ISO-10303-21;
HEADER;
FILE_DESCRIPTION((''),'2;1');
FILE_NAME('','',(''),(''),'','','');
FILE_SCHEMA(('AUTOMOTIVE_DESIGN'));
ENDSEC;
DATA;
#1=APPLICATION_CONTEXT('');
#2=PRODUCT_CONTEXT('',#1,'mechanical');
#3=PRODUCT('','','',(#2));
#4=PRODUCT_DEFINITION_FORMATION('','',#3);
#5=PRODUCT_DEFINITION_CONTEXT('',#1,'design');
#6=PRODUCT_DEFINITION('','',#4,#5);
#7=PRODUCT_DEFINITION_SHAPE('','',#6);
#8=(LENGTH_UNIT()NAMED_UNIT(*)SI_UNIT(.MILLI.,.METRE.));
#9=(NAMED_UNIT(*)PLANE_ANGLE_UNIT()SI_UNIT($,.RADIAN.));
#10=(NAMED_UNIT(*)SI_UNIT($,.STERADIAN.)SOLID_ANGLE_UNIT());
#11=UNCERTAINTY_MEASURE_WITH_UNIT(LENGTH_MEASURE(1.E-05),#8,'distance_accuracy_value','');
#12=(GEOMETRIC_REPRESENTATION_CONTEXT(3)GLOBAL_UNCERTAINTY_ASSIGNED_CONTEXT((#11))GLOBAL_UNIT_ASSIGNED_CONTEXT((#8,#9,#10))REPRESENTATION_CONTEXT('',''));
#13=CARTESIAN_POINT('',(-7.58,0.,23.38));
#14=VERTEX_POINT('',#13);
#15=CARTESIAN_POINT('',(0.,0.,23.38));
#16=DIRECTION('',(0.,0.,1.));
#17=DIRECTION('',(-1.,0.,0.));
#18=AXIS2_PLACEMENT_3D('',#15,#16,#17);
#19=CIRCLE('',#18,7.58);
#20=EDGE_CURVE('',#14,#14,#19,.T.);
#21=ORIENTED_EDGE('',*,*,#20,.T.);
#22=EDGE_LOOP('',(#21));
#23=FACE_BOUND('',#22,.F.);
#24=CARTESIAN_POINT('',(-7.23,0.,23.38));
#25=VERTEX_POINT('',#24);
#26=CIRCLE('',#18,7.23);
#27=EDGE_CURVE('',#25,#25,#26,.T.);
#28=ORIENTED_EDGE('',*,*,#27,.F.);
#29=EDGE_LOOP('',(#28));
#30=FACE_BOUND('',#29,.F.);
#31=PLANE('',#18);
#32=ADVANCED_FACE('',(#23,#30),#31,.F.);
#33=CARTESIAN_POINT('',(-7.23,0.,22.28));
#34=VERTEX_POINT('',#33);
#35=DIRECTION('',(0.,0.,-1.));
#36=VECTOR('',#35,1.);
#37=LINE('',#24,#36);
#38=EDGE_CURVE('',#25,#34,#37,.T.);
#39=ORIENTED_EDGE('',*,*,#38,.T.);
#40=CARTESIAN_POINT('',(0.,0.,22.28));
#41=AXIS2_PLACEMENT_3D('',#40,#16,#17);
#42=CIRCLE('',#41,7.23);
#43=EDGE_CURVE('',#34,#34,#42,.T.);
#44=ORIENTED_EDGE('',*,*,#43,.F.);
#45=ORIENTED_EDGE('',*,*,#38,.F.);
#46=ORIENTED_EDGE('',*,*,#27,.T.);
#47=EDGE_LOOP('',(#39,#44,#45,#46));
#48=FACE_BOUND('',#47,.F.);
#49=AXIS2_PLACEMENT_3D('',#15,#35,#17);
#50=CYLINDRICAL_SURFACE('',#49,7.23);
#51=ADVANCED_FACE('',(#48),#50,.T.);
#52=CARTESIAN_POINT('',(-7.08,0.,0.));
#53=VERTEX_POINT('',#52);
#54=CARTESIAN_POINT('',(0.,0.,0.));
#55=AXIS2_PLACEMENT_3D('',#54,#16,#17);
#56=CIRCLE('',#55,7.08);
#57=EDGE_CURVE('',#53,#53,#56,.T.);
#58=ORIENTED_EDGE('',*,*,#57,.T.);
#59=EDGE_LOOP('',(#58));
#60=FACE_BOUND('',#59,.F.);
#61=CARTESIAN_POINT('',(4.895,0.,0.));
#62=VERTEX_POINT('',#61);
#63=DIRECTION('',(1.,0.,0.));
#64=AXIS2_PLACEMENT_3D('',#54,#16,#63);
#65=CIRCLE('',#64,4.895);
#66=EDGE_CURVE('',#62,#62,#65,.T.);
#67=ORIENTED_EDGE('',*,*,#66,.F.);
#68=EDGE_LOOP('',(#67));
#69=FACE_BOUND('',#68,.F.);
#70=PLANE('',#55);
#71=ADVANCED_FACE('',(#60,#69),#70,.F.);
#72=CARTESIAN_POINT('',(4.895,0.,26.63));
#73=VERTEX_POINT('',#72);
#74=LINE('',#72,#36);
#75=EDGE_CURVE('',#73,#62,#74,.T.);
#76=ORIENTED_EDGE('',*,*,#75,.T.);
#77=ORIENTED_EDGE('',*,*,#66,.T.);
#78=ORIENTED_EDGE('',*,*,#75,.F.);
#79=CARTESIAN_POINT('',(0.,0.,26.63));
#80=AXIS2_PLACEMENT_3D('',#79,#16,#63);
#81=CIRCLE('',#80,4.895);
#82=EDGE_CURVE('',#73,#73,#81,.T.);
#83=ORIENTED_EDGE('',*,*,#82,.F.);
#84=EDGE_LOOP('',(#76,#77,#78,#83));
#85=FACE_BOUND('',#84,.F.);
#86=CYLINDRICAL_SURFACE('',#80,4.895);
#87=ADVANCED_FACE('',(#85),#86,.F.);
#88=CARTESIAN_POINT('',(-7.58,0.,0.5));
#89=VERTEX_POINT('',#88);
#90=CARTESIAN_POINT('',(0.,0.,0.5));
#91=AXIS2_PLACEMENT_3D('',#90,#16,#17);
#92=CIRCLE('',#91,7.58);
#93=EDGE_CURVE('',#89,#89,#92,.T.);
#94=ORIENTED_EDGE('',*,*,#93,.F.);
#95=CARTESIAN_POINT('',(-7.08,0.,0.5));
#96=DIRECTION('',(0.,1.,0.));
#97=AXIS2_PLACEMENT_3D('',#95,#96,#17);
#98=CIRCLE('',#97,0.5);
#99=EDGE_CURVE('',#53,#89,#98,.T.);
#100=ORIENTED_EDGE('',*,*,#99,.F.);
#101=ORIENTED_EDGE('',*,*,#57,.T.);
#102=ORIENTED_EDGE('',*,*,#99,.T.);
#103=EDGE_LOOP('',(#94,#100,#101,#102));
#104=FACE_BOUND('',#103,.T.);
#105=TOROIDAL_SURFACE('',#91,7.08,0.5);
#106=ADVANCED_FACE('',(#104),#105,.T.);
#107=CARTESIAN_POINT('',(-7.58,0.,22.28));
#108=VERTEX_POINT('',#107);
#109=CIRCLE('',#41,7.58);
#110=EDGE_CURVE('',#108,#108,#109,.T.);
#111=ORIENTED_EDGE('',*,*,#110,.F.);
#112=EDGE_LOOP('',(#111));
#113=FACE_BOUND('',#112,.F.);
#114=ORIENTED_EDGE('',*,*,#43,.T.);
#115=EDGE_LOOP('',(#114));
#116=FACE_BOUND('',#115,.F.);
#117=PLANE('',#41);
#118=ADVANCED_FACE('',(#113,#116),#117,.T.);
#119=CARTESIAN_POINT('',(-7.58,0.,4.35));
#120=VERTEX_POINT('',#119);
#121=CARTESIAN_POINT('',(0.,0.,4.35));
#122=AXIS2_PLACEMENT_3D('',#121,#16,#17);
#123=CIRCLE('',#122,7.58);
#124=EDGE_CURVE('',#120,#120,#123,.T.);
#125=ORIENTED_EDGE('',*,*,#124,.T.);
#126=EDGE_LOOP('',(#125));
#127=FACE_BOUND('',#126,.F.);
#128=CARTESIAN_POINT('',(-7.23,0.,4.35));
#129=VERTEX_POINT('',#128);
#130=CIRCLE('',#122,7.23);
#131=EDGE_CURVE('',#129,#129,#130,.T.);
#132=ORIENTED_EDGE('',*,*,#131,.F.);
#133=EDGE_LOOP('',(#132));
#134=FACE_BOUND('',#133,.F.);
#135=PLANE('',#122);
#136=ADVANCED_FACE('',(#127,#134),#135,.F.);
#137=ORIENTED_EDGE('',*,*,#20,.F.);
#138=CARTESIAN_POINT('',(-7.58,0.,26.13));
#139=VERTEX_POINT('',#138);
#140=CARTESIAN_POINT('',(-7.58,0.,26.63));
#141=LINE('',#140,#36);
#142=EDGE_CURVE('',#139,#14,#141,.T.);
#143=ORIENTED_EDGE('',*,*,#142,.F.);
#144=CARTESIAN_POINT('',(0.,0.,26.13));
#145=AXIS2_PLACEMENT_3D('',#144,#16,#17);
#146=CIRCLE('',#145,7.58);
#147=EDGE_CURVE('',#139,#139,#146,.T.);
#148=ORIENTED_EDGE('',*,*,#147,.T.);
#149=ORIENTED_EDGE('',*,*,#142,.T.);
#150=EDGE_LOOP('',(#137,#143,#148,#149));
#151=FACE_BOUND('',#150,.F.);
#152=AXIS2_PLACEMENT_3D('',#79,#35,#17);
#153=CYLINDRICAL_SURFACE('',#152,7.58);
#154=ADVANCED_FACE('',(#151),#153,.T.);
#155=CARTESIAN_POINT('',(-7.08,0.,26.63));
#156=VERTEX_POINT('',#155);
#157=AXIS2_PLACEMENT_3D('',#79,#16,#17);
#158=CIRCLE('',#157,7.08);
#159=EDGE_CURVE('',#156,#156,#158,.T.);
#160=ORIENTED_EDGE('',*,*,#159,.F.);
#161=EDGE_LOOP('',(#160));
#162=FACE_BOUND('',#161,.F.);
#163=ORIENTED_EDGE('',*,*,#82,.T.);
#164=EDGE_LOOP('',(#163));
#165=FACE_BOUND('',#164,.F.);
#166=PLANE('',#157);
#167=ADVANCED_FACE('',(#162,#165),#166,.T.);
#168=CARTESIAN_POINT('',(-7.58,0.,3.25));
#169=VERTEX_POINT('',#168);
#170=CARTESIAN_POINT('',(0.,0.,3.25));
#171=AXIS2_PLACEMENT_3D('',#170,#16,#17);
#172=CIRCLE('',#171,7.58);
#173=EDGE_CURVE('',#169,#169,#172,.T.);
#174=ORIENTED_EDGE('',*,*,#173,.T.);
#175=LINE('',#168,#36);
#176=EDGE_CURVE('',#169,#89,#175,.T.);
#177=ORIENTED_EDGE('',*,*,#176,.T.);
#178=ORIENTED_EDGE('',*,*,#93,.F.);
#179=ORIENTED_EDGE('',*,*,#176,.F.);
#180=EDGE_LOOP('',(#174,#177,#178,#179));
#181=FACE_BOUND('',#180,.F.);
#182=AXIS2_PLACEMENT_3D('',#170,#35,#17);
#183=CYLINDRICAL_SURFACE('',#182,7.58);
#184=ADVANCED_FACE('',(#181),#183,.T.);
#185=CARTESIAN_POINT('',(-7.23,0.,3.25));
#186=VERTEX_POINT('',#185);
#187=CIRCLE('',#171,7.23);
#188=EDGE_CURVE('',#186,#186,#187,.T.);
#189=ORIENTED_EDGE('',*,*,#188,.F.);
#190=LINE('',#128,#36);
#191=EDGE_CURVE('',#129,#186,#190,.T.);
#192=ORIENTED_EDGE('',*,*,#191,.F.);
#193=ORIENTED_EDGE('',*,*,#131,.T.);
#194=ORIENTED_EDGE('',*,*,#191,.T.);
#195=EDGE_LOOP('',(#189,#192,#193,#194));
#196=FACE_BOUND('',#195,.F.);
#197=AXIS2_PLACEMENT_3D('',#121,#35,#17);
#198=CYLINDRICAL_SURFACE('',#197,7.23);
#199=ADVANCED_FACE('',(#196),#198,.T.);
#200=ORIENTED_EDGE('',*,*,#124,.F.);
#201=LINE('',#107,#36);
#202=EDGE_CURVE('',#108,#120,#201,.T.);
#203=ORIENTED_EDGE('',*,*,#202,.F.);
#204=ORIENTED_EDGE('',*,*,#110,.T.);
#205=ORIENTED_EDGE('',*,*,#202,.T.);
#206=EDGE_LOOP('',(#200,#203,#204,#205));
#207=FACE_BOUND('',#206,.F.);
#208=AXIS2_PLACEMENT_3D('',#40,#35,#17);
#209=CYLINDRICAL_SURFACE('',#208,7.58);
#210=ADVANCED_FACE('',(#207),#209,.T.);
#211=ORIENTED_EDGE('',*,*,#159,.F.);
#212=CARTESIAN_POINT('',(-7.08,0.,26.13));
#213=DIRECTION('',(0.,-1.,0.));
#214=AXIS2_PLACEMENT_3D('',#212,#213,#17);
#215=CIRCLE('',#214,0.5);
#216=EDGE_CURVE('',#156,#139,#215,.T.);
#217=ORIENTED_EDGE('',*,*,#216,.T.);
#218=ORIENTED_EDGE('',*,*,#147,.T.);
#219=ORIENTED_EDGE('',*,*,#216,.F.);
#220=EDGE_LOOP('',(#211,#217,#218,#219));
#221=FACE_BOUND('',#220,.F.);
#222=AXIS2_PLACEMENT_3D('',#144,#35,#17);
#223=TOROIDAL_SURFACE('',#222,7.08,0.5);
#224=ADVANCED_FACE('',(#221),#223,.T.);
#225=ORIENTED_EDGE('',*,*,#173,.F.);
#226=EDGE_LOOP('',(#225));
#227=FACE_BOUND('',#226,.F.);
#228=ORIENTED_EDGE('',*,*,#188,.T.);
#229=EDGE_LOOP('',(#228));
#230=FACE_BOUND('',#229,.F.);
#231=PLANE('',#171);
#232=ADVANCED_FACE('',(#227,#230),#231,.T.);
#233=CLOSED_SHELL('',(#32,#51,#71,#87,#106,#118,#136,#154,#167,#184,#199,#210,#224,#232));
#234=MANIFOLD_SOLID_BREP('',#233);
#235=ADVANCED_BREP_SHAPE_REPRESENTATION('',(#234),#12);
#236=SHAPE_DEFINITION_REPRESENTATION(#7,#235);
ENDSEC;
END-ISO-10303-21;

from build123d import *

# Parameters (mm, degrees)
F2_R     = 4.895
F3_DEPTH = 26.631
F4_R     = 0.5


with BuildPart() as f1:
    # F0 (on Front) → F1 (revolve)
    with BuildSketch(Plane.XZ):
        Polygon((-7.58, 0), (0, 0), (0, 26.63), (-7.58, 26.63), (-7.58, 23.38), (-7.23, 23.38), (-7.23, 22.28), (-7.58, 22.28), (-7.58, 4.35), (-7.23, 4.35), (-7.23, 3.25), (-7.58, 3.25), align=None)
    revolve(axis=Axis((0, 0, 13.315), (0, 0, 1)))

    # F2 (on face) → F3 (cut, through all)
    with BuildSketch(Plane.XY.offset(26.63)):
        Circle(F2_R)
    extrude(amount=-F3_DEPTH, mode=Mode.SUBTRACT)

    # F4
    f4_edges = [f1.edges().sort_by_distance(p)[0] for p in [
        (7.58, 0, 0),
        (7.58, 0, 26.63),
    ]]
    fillet(f4_edges, radius=F4_R)


solid = f1.part
